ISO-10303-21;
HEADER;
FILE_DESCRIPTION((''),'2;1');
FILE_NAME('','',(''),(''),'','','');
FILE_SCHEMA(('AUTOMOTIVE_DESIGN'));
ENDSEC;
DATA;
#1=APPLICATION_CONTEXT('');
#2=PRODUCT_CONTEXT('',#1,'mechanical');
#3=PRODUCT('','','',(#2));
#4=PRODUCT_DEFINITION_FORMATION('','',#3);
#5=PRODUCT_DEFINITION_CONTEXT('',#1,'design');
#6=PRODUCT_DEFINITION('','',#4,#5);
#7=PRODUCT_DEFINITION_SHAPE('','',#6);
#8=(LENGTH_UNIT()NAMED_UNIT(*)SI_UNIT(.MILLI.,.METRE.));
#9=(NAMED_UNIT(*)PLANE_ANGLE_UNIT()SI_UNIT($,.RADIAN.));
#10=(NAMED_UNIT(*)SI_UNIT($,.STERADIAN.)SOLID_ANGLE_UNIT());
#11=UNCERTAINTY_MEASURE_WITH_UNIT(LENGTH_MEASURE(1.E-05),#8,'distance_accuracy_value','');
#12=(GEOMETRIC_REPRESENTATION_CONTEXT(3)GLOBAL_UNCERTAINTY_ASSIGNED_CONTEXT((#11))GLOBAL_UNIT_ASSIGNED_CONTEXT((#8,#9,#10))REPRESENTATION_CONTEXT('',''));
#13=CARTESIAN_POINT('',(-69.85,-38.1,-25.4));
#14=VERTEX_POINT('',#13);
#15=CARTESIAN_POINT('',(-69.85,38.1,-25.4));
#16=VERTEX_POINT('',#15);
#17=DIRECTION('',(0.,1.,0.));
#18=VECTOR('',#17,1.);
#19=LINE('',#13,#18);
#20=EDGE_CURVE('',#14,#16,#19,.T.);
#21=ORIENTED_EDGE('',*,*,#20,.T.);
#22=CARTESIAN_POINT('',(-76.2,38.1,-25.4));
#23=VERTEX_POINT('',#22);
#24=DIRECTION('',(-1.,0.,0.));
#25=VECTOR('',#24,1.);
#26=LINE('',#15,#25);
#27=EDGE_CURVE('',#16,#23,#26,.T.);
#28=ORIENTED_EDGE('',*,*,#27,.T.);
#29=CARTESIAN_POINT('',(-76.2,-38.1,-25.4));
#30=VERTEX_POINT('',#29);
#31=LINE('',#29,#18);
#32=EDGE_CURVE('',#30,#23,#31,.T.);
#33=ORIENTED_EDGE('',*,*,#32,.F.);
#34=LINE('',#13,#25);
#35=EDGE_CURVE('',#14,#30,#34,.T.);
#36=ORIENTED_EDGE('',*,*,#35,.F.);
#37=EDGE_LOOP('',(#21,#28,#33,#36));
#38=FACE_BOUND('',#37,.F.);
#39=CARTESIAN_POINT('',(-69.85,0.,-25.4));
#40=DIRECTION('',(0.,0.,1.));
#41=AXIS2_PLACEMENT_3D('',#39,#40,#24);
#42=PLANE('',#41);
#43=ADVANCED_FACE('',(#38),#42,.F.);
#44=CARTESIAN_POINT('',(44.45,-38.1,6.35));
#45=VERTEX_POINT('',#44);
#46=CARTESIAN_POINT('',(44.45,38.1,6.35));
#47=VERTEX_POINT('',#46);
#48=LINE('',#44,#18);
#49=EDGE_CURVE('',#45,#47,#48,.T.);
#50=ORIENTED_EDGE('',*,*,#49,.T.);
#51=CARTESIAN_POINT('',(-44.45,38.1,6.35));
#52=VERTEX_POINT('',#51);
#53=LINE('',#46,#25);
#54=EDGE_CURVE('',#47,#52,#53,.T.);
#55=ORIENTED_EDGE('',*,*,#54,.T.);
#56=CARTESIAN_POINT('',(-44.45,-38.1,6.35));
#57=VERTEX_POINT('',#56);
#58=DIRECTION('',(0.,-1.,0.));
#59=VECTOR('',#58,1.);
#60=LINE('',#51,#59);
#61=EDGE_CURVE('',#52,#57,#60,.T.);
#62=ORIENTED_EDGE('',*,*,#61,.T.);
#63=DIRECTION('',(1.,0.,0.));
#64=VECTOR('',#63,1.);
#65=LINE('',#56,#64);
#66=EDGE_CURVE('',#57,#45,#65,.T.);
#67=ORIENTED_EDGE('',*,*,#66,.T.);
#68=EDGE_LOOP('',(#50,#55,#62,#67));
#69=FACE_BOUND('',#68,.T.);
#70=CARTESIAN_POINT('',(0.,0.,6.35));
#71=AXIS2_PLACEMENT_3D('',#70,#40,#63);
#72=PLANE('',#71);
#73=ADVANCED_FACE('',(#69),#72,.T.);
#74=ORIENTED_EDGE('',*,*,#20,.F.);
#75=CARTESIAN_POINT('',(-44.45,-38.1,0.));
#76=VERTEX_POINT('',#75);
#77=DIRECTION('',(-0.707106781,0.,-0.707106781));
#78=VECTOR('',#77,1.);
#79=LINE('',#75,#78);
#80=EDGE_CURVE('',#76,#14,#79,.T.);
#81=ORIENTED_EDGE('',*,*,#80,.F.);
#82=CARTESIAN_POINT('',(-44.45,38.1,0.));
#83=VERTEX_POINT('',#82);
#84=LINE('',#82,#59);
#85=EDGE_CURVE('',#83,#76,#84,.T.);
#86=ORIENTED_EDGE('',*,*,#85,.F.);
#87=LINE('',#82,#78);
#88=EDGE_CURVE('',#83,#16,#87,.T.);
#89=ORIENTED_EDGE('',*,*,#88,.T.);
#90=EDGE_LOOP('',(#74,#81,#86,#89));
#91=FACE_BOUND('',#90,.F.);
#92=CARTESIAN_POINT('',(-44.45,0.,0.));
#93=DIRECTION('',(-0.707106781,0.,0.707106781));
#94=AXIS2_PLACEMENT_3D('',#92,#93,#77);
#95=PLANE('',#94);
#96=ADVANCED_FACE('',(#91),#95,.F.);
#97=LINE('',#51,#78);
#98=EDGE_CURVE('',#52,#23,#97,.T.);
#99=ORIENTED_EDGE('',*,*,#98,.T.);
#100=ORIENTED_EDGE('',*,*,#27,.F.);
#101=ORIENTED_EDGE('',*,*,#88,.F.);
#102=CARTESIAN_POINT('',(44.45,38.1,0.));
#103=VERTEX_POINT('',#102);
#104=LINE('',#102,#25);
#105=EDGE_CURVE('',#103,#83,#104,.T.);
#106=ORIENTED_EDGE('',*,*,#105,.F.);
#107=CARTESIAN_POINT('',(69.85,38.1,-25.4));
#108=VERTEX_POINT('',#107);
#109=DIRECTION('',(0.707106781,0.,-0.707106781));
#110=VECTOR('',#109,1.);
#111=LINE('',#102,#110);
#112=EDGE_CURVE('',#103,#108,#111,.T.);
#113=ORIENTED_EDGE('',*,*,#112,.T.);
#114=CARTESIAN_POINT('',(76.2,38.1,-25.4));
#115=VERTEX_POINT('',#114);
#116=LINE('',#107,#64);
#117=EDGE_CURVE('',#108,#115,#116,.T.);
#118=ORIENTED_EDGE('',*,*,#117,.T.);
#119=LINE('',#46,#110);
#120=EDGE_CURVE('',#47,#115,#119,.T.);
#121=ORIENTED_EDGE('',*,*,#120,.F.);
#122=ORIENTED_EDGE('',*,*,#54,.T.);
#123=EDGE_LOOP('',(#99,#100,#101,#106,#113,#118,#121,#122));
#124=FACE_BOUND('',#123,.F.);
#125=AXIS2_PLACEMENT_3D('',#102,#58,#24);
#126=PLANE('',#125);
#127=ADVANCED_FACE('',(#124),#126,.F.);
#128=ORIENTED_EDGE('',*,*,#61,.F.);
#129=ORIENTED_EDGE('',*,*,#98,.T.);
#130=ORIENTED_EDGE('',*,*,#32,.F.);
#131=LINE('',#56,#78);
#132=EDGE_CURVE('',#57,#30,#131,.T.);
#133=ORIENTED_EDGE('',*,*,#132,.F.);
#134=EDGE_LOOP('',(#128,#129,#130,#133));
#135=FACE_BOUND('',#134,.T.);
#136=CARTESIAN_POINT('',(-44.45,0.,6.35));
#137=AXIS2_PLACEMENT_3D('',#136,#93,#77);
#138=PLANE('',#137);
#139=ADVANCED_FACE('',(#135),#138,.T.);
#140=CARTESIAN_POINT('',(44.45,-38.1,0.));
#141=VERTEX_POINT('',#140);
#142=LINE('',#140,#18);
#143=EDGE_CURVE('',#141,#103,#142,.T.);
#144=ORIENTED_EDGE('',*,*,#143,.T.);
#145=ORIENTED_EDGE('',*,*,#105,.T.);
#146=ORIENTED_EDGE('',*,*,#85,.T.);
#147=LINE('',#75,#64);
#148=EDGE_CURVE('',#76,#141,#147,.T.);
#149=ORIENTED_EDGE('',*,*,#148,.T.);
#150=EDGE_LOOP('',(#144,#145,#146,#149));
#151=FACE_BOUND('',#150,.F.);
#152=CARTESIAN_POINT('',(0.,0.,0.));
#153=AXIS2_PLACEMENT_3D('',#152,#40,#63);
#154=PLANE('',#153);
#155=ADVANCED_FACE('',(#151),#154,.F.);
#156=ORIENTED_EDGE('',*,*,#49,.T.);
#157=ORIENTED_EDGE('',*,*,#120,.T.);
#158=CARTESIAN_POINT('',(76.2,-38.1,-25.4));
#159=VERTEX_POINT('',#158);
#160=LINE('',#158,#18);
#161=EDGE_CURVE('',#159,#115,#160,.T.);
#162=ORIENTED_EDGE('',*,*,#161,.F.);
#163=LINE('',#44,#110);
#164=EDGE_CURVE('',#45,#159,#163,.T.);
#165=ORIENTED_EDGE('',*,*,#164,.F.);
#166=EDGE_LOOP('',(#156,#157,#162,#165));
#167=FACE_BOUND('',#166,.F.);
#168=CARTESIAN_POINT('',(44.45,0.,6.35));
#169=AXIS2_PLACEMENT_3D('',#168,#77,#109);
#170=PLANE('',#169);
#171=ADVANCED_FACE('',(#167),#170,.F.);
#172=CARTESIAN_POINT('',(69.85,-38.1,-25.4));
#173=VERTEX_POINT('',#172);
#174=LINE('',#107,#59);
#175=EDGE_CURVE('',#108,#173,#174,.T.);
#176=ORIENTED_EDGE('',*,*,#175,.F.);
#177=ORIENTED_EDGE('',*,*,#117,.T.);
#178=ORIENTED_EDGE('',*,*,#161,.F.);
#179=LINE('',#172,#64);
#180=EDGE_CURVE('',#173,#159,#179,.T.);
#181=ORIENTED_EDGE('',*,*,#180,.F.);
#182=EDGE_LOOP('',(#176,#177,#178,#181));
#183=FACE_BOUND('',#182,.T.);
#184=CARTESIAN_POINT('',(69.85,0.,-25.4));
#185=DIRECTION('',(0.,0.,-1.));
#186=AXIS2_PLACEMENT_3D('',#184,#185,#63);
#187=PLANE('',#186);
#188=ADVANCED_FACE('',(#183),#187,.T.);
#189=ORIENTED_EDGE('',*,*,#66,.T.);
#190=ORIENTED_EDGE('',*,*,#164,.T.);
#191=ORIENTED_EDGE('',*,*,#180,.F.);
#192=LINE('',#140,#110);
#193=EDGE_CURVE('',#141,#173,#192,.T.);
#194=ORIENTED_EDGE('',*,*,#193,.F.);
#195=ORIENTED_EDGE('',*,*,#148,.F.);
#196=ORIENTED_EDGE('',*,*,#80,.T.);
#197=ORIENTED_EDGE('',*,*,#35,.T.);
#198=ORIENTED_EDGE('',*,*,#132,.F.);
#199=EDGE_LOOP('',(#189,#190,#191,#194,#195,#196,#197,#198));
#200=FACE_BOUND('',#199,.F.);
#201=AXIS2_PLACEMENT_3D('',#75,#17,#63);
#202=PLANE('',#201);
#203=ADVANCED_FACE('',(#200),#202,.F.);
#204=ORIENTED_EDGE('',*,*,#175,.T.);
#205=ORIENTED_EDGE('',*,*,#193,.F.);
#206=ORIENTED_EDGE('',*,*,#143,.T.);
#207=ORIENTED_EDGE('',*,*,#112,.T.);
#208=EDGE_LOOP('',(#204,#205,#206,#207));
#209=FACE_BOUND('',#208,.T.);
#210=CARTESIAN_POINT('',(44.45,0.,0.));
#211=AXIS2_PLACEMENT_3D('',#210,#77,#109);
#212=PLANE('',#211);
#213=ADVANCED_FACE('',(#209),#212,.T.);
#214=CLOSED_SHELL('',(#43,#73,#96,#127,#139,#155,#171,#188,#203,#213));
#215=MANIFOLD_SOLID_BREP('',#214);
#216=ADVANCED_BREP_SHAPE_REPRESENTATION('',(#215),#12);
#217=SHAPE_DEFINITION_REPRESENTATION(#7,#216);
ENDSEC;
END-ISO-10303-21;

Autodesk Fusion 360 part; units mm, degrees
sketch "Sketch1" plane through (0, 0, 0) normal (0, 0, 1) x (1, 0, 0)
  line L0 (44.45, 38.1) -> (-44.45, 38.1)
  line L1 (-44.45, 38.1) -> (-44.45, -38.1)
  line L2 (-44.45, -38.1) -> (44.45, -38.1)
  line L3 (44.45, -38.1) -> (44.45, 38.1)
  line L4 (44.45, 38.1) -> (-44.45, -38.1) construction
  line L5 (-44.45, 38.1) -> (44.45, -38.1) construction
  dimension "d1" = 88.9
  dimension "d2" = 76.2
extrude "Extrude1" add sketch "Sketch1" along normal blind 6.35
sketch "Sketch2" plane through (0, 0, 0) normal (0, 1, 0) x (1, 0, 0)
  line L0 (44.45, -6.35) -> (76.2, 25.4)
  line L1 (44.45, 0) -> (69.85, 25.4)
  line L2 (69.85, 25.4) -> (76.2, 25.4)
  line L3 (0, -50.8) -> (0, 63.5)
  line L4 (-69.85, 25.4) -> (-76.2, 25.4)
  line L5 (-44.45, 0) -> (-69.85, 25.4)
  line L6 (-44.45, -6.35) -> (-76.2, 25.4)
  line L7 (-44.45, -6.35) -> (-44.45, 0)
  line L8 (44.45, -6.35) -> (44.45, 0)
extrude "Extrude2" add sketch "Sketch2" along normal blind 38.1 and the other way blind 38.1
